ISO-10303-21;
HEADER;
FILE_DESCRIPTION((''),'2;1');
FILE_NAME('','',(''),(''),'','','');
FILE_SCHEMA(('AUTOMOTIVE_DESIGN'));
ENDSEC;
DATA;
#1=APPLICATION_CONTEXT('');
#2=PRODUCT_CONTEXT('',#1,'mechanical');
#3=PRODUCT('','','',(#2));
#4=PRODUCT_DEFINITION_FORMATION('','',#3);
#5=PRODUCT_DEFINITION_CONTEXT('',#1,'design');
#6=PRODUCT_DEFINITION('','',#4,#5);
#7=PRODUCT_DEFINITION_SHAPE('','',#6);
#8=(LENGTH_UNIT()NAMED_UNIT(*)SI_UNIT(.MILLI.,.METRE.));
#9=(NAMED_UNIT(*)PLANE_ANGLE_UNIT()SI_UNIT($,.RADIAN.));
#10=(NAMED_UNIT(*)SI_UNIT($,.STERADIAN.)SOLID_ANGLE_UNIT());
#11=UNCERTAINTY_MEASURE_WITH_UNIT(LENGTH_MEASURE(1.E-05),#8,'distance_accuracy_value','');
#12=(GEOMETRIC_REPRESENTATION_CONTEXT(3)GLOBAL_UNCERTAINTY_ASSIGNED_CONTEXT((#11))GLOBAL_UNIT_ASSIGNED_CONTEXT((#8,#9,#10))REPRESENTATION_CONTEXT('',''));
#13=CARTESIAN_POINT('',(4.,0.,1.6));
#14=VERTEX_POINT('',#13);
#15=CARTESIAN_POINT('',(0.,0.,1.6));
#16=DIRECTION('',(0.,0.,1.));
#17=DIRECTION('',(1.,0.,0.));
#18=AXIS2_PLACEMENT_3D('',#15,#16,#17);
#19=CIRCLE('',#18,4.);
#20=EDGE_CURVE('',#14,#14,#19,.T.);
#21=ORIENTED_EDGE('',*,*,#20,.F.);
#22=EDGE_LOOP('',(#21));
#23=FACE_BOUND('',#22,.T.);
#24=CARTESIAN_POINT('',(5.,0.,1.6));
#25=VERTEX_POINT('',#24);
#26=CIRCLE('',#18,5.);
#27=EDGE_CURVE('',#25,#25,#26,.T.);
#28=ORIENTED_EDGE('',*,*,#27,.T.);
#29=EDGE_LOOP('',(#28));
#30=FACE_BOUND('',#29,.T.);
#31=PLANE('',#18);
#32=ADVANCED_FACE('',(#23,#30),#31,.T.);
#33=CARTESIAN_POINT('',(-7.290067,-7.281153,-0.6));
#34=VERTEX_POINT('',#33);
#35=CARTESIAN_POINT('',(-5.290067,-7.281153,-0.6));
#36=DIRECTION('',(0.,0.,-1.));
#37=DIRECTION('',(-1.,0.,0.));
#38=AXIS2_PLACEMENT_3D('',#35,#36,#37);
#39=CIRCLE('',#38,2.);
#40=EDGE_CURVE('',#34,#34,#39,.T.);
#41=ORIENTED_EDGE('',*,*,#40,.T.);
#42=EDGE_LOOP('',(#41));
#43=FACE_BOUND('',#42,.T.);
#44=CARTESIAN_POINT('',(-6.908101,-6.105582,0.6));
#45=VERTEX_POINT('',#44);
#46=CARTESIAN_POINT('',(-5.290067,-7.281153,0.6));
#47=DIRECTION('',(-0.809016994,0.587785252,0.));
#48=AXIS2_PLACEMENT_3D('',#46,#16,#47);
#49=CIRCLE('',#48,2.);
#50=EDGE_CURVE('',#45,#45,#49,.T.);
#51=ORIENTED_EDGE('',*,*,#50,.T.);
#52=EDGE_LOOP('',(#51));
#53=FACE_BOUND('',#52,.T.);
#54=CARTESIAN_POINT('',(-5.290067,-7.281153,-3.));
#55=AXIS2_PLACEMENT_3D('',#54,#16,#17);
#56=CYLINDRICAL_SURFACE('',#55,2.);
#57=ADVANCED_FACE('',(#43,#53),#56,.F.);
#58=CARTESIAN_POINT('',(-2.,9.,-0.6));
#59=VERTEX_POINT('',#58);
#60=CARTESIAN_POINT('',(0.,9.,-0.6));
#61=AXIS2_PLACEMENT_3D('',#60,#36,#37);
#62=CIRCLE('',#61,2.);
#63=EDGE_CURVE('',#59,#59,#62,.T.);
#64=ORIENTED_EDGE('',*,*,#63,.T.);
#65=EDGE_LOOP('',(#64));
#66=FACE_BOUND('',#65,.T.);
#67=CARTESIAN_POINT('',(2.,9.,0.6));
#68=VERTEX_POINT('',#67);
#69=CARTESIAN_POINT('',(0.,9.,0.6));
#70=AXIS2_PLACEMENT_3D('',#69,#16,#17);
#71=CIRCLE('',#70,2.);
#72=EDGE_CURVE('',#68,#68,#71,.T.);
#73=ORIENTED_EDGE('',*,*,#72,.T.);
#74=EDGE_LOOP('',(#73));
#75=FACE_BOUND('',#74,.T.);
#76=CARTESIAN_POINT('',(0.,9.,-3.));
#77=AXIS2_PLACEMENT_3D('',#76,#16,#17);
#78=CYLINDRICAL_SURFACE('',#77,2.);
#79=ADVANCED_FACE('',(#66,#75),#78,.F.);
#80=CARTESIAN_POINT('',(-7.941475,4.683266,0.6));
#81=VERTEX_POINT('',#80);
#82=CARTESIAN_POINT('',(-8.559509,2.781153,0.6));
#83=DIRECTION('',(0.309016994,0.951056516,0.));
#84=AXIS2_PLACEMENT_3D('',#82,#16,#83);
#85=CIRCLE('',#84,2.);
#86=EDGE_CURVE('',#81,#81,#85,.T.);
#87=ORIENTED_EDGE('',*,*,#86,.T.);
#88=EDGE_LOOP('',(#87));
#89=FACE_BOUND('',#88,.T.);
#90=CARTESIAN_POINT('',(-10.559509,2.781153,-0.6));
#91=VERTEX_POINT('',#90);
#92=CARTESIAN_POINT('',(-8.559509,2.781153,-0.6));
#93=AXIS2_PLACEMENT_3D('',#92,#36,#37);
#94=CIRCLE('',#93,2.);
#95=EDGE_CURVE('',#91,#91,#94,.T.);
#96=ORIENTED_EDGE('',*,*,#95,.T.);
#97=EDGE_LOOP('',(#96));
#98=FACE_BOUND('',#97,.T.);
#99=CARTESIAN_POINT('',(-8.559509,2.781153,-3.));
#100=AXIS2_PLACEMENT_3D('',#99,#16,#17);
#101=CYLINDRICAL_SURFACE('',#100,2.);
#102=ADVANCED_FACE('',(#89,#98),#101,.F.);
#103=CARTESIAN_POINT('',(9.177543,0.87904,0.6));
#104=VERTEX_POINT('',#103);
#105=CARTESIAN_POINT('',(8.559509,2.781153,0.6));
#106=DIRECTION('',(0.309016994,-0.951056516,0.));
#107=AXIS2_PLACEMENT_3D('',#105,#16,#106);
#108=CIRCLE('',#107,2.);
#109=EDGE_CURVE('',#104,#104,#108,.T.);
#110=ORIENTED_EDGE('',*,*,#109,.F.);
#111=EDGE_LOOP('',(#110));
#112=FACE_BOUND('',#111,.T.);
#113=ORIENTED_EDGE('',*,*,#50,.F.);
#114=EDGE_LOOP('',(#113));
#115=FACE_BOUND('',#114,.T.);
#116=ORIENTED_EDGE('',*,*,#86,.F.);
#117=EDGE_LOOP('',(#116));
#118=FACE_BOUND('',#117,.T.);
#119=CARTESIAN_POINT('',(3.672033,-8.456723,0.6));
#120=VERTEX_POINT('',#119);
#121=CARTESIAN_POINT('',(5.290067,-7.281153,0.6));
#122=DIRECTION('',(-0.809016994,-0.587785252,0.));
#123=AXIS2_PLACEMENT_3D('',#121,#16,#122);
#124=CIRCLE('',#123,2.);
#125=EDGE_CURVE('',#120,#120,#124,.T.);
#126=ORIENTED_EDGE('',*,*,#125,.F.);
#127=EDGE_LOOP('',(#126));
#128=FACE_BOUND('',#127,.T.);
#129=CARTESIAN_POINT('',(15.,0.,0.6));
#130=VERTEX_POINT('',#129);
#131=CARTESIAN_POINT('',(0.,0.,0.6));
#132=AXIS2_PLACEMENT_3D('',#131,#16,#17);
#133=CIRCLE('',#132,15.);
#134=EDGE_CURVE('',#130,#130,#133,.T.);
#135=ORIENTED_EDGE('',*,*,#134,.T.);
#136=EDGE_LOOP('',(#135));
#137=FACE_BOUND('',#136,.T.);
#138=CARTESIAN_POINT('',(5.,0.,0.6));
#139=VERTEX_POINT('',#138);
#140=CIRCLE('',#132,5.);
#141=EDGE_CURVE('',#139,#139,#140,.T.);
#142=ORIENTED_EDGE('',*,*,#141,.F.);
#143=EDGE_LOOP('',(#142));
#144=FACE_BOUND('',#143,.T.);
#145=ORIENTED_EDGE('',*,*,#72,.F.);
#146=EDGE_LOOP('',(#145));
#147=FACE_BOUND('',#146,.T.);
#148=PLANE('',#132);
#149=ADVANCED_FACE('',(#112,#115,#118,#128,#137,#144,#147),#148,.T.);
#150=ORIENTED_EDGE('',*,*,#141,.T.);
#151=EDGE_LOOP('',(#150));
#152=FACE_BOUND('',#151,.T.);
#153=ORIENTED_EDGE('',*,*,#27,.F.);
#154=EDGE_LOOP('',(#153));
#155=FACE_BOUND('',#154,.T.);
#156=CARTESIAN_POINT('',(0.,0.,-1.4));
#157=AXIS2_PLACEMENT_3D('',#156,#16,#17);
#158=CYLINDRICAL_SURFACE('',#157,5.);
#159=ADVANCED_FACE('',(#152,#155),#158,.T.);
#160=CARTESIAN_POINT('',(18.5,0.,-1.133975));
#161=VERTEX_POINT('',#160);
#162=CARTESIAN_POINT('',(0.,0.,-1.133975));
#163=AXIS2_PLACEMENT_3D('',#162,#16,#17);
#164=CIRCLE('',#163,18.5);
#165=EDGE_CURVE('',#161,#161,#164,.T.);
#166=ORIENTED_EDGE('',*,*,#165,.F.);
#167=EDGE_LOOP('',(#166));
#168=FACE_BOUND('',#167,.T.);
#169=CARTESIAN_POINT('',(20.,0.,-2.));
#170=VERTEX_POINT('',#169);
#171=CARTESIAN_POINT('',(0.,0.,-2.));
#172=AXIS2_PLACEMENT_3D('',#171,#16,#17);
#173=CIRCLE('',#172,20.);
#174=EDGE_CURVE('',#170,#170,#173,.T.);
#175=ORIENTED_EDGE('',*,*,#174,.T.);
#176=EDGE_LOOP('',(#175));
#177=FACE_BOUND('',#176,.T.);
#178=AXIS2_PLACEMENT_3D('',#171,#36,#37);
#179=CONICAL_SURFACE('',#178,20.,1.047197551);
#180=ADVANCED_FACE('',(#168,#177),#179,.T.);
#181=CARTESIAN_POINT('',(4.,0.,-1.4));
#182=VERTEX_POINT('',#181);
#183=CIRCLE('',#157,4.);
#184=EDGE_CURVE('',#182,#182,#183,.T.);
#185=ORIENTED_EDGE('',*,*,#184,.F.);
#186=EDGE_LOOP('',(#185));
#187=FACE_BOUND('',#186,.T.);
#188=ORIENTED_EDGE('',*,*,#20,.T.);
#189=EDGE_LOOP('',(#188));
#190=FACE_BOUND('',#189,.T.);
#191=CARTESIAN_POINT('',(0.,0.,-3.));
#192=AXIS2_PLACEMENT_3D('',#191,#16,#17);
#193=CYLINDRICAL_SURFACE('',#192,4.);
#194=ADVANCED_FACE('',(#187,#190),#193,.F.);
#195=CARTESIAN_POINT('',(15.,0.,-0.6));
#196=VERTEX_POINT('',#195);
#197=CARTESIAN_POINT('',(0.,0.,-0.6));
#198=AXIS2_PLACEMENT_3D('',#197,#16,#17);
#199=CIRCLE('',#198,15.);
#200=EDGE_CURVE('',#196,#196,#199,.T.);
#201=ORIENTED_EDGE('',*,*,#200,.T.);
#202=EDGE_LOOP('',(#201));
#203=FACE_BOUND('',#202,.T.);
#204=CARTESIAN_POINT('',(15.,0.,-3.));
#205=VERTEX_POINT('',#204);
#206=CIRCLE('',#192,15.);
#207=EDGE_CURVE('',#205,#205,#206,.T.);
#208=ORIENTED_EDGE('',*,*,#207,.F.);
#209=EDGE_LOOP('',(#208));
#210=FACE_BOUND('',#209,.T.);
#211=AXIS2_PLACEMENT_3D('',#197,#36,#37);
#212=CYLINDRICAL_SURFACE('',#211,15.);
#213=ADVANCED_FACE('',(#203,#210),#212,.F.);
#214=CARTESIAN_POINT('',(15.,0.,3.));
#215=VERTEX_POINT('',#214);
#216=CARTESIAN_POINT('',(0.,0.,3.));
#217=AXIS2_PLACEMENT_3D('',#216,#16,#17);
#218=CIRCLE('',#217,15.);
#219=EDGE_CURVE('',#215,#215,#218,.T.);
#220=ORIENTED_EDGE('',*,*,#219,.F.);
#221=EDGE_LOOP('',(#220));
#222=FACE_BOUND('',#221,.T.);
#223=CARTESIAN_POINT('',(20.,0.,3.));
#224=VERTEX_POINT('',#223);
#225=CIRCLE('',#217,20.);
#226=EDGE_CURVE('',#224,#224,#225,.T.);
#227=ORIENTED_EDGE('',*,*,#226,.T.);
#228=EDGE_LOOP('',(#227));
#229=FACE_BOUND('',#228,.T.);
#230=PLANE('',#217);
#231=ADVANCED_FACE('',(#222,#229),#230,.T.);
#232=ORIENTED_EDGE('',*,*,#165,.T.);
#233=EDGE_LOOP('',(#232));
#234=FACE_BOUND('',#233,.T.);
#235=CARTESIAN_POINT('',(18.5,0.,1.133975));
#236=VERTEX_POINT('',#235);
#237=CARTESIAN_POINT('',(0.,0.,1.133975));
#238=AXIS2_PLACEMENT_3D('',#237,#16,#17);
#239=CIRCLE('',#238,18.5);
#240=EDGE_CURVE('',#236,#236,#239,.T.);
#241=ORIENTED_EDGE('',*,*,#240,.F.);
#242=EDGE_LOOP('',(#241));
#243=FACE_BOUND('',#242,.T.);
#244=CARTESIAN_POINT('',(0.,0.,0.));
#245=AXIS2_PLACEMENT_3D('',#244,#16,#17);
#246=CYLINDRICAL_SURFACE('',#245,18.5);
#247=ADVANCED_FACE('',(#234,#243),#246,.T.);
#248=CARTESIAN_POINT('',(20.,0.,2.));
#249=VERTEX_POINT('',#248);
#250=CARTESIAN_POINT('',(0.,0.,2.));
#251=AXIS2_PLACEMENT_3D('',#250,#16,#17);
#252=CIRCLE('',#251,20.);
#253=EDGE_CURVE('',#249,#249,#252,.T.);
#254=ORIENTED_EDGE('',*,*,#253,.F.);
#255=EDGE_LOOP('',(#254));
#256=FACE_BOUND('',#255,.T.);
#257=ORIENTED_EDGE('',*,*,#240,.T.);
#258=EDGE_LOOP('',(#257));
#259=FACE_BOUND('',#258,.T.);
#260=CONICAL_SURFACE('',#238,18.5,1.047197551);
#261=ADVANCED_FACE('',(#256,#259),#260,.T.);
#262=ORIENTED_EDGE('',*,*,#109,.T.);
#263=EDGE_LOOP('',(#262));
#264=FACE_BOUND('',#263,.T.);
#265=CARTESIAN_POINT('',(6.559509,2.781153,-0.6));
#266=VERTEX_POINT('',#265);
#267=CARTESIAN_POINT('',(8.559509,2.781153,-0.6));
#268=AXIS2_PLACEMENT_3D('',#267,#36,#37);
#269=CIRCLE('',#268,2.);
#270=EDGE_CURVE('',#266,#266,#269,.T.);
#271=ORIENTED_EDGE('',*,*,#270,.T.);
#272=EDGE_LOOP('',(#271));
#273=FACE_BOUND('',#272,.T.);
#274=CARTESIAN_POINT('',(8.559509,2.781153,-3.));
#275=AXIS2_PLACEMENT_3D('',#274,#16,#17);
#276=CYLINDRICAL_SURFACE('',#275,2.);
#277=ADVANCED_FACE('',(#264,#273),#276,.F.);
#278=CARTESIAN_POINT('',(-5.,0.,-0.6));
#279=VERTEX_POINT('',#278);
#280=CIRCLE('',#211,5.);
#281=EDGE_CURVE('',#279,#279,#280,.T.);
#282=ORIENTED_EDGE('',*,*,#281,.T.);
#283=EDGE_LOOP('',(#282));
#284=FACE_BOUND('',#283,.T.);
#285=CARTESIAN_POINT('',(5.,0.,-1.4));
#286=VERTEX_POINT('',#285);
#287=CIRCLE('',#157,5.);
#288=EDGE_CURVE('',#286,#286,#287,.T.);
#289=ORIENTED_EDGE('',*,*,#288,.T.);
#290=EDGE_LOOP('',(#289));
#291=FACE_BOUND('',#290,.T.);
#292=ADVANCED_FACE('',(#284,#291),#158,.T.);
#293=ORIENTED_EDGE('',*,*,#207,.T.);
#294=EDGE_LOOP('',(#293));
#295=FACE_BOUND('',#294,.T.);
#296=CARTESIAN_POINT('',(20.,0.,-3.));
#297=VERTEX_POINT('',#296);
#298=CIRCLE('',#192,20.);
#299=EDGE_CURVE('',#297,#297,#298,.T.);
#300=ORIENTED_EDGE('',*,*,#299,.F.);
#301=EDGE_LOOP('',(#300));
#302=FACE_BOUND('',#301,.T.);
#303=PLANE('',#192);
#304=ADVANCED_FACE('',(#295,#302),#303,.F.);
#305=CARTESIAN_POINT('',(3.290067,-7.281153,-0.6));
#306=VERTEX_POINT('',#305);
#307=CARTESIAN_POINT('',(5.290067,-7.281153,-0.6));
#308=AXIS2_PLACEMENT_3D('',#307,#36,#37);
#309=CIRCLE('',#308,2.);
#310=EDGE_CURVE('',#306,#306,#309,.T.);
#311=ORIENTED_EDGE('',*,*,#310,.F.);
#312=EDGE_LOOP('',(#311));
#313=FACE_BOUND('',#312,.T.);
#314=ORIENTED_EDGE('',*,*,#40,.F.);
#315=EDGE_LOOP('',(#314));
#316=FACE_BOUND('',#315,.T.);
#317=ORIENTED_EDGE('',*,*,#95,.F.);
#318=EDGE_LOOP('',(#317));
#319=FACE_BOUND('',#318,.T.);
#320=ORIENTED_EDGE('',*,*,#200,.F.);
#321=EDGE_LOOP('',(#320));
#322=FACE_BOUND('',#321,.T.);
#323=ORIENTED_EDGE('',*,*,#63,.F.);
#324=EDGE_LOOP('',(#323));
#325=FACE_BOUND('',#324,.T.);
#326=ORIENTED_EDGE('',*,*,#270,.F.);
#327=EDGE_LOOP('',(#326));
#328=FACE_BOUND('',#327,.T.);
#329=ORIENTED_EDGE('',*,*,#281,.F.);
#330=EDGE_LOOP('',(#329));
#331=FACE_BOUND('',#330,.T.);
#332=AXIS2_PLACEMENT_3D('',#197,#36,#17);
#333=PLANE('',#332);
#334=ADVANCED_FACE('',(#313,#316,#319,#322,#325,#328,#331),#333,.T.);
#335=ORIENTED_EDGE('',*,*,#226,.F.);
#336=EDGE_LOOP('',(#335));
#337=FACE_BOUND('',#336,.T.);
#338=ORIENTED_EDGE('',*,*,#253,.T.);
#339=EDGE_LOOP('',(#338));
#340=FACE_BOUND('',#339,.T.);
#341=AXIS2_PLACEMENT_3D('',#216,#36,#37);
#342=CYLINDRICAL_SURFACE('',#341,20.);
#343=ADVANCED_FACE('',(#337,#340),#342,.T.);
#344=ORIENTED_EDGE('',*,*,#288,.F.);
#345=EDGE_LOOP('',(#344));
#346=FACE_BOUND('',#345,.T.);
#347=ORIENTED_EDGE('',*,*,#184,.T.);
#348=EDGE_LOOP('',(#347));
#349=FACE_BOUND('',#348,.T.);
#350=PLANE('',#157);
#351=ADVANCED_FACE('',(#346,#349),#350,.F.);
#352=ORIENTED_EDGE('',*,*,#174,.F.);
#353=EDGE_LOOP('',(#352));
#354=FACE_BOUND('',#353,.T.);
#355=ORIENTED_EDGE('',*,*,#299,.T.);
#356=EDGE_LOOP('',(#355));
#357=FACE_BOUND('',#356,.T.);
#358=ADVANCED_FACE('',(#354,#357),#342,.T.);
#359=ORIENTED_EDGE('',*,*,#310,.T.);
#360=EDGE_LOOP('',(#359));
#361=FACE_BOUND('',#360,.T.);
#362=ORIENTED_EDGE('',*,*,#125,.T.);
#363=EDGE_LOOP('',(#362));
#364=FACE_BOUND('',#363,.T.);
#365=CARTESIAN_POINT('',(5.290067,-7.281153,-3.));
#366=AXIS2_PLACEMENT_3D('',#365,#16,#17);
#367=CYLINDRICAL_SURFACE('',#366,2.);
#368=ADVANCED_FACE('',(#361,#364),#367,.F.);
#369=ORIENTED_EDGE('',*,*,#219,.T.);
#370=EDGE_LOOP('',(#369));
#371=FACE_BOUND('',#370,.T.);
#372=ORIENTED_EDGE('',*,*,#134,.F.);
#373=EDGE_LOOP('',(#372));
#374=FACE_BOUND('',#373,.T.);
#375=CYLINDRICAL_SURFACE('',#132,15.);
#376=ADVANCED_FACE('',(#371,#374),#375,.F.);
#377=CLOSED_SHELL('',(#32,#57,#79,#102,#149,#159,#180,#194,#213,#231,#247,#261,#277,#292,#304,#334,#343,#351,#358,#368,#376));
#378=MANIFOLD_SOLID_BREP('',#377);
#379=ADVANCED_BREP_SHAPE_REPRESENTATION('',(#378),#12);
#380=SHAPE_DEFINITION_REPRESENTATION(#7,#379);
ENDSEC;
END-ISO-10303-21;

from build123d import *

# Parameters (mm, degrees)
SKETCH1_R                = 20
SKETCH1_R_2              = 4
BOSS_EXTRUDE1_DEPTH      = 3
SKETCH3_R                = 15
CUT_EXTRUDE1_DEPTH       = 2.4
SKETCH4_R                = 2
CUT_EXTRUDE2_DEPTH       = 29.51245342
CIRPATTERN1_COUNT        = 5
BOSS_EXTRUDE3_DEPTH      = 1
BOSS_EXTRUDE3_DEPTH_BACK = 2
SKETCH14_R               = 5
SKETCH16_R               = 4
CUT_EXTRUDE3_DEPTH       = 29.655889447


with BuildPart() as part:
    # Sketch1 → Boss-Extrude1 (new, symmetric)
    with BuildSketch(Plane.XY):
        Circle(SKETCH1_R)
        Circle(SKETCH1_R_2, mode=Mode.SUBTRACT)
    extrude(amount=BOSS_EXTRUDE1_DEPTH, both=True)

    # Sketch3 → Cut-Extrude1 (cut)
    with BuildSketch(Plane.XY.offset(3)):
        Circle(SKETCH3_R)
    cut_extrude1 = extrude(amount=-CUT_EXTRUDE1_DEPTH, mode=Mode.SUBTRACT)

    # Mirror1: Cut-Extrude1 across plane
    add(cut_extrude1.mirror(Plane.XY), mode=Mode.SUBTRACT)

    # Sketch4 → Cut-Extrude2 (cut, through all)
    with BuildSketch(Plane.XY.offset(0.6)):
        with Locations((0, 9)):
            Circle(SKETCH4_R)
    cut_extrude2 = extrude(amount=-CUT_EXTRUDE2_DEPTH, mode=Mode.SUBTRACT)

    # CirPattern1: Cut-Extrude2 ×5 about axis
    cirpattern1_axis = Axis((0, 0, 0), (0, 0, 1))
    for i in range(1, CIRPATTERN1_COUNT):
        add(cut_extrude2.rotate(cirpattern1_axis, i * 360 / CIRPATTERN1_COUNT), mode=Mode.SUBTRACT)

    # Sketch5 → Cut-Revolve1 (revolve, cut)
    with BuildSketch(Plane(origin=(0, 0, 0), x_dir=(1, 0, 0), z_dir=(0, 1, 0))):
        Polygon((20, 2), (18.5, 1.133974596), (18.5, -1.133974596), (20, -2), align=None)
    revolve(axis=Axis((0, 0, 0), (0, 0, -1)), mode=Mode.SUBTRACT)

    # Sketch14 → Boss-Extrude3 (add, two sides: drawn at the far end of the back side and taken through both)
    with BuildSketch(Plane.XY.offset(0.6).offset(-BOSS_EXTRUDE3_DEPTH_BACK)):
        Circle(SKETCH14_R)
    extrude(amount=BOSS_EXTRUDE3_DEPTH + BOSS_EXTRUDE3_DEPTH_BACK)

    # Sketch16 → Cut-Extrude3 (cut, through all)
    with BuildSketch(Plane.XY.offset(1.6)):
        Circle(SKETCH16_R)
    extrude(amount=-CUT_EXTRUDE3_DEPTH, mode=Mode.SUBTRACT)


solid = part.part
